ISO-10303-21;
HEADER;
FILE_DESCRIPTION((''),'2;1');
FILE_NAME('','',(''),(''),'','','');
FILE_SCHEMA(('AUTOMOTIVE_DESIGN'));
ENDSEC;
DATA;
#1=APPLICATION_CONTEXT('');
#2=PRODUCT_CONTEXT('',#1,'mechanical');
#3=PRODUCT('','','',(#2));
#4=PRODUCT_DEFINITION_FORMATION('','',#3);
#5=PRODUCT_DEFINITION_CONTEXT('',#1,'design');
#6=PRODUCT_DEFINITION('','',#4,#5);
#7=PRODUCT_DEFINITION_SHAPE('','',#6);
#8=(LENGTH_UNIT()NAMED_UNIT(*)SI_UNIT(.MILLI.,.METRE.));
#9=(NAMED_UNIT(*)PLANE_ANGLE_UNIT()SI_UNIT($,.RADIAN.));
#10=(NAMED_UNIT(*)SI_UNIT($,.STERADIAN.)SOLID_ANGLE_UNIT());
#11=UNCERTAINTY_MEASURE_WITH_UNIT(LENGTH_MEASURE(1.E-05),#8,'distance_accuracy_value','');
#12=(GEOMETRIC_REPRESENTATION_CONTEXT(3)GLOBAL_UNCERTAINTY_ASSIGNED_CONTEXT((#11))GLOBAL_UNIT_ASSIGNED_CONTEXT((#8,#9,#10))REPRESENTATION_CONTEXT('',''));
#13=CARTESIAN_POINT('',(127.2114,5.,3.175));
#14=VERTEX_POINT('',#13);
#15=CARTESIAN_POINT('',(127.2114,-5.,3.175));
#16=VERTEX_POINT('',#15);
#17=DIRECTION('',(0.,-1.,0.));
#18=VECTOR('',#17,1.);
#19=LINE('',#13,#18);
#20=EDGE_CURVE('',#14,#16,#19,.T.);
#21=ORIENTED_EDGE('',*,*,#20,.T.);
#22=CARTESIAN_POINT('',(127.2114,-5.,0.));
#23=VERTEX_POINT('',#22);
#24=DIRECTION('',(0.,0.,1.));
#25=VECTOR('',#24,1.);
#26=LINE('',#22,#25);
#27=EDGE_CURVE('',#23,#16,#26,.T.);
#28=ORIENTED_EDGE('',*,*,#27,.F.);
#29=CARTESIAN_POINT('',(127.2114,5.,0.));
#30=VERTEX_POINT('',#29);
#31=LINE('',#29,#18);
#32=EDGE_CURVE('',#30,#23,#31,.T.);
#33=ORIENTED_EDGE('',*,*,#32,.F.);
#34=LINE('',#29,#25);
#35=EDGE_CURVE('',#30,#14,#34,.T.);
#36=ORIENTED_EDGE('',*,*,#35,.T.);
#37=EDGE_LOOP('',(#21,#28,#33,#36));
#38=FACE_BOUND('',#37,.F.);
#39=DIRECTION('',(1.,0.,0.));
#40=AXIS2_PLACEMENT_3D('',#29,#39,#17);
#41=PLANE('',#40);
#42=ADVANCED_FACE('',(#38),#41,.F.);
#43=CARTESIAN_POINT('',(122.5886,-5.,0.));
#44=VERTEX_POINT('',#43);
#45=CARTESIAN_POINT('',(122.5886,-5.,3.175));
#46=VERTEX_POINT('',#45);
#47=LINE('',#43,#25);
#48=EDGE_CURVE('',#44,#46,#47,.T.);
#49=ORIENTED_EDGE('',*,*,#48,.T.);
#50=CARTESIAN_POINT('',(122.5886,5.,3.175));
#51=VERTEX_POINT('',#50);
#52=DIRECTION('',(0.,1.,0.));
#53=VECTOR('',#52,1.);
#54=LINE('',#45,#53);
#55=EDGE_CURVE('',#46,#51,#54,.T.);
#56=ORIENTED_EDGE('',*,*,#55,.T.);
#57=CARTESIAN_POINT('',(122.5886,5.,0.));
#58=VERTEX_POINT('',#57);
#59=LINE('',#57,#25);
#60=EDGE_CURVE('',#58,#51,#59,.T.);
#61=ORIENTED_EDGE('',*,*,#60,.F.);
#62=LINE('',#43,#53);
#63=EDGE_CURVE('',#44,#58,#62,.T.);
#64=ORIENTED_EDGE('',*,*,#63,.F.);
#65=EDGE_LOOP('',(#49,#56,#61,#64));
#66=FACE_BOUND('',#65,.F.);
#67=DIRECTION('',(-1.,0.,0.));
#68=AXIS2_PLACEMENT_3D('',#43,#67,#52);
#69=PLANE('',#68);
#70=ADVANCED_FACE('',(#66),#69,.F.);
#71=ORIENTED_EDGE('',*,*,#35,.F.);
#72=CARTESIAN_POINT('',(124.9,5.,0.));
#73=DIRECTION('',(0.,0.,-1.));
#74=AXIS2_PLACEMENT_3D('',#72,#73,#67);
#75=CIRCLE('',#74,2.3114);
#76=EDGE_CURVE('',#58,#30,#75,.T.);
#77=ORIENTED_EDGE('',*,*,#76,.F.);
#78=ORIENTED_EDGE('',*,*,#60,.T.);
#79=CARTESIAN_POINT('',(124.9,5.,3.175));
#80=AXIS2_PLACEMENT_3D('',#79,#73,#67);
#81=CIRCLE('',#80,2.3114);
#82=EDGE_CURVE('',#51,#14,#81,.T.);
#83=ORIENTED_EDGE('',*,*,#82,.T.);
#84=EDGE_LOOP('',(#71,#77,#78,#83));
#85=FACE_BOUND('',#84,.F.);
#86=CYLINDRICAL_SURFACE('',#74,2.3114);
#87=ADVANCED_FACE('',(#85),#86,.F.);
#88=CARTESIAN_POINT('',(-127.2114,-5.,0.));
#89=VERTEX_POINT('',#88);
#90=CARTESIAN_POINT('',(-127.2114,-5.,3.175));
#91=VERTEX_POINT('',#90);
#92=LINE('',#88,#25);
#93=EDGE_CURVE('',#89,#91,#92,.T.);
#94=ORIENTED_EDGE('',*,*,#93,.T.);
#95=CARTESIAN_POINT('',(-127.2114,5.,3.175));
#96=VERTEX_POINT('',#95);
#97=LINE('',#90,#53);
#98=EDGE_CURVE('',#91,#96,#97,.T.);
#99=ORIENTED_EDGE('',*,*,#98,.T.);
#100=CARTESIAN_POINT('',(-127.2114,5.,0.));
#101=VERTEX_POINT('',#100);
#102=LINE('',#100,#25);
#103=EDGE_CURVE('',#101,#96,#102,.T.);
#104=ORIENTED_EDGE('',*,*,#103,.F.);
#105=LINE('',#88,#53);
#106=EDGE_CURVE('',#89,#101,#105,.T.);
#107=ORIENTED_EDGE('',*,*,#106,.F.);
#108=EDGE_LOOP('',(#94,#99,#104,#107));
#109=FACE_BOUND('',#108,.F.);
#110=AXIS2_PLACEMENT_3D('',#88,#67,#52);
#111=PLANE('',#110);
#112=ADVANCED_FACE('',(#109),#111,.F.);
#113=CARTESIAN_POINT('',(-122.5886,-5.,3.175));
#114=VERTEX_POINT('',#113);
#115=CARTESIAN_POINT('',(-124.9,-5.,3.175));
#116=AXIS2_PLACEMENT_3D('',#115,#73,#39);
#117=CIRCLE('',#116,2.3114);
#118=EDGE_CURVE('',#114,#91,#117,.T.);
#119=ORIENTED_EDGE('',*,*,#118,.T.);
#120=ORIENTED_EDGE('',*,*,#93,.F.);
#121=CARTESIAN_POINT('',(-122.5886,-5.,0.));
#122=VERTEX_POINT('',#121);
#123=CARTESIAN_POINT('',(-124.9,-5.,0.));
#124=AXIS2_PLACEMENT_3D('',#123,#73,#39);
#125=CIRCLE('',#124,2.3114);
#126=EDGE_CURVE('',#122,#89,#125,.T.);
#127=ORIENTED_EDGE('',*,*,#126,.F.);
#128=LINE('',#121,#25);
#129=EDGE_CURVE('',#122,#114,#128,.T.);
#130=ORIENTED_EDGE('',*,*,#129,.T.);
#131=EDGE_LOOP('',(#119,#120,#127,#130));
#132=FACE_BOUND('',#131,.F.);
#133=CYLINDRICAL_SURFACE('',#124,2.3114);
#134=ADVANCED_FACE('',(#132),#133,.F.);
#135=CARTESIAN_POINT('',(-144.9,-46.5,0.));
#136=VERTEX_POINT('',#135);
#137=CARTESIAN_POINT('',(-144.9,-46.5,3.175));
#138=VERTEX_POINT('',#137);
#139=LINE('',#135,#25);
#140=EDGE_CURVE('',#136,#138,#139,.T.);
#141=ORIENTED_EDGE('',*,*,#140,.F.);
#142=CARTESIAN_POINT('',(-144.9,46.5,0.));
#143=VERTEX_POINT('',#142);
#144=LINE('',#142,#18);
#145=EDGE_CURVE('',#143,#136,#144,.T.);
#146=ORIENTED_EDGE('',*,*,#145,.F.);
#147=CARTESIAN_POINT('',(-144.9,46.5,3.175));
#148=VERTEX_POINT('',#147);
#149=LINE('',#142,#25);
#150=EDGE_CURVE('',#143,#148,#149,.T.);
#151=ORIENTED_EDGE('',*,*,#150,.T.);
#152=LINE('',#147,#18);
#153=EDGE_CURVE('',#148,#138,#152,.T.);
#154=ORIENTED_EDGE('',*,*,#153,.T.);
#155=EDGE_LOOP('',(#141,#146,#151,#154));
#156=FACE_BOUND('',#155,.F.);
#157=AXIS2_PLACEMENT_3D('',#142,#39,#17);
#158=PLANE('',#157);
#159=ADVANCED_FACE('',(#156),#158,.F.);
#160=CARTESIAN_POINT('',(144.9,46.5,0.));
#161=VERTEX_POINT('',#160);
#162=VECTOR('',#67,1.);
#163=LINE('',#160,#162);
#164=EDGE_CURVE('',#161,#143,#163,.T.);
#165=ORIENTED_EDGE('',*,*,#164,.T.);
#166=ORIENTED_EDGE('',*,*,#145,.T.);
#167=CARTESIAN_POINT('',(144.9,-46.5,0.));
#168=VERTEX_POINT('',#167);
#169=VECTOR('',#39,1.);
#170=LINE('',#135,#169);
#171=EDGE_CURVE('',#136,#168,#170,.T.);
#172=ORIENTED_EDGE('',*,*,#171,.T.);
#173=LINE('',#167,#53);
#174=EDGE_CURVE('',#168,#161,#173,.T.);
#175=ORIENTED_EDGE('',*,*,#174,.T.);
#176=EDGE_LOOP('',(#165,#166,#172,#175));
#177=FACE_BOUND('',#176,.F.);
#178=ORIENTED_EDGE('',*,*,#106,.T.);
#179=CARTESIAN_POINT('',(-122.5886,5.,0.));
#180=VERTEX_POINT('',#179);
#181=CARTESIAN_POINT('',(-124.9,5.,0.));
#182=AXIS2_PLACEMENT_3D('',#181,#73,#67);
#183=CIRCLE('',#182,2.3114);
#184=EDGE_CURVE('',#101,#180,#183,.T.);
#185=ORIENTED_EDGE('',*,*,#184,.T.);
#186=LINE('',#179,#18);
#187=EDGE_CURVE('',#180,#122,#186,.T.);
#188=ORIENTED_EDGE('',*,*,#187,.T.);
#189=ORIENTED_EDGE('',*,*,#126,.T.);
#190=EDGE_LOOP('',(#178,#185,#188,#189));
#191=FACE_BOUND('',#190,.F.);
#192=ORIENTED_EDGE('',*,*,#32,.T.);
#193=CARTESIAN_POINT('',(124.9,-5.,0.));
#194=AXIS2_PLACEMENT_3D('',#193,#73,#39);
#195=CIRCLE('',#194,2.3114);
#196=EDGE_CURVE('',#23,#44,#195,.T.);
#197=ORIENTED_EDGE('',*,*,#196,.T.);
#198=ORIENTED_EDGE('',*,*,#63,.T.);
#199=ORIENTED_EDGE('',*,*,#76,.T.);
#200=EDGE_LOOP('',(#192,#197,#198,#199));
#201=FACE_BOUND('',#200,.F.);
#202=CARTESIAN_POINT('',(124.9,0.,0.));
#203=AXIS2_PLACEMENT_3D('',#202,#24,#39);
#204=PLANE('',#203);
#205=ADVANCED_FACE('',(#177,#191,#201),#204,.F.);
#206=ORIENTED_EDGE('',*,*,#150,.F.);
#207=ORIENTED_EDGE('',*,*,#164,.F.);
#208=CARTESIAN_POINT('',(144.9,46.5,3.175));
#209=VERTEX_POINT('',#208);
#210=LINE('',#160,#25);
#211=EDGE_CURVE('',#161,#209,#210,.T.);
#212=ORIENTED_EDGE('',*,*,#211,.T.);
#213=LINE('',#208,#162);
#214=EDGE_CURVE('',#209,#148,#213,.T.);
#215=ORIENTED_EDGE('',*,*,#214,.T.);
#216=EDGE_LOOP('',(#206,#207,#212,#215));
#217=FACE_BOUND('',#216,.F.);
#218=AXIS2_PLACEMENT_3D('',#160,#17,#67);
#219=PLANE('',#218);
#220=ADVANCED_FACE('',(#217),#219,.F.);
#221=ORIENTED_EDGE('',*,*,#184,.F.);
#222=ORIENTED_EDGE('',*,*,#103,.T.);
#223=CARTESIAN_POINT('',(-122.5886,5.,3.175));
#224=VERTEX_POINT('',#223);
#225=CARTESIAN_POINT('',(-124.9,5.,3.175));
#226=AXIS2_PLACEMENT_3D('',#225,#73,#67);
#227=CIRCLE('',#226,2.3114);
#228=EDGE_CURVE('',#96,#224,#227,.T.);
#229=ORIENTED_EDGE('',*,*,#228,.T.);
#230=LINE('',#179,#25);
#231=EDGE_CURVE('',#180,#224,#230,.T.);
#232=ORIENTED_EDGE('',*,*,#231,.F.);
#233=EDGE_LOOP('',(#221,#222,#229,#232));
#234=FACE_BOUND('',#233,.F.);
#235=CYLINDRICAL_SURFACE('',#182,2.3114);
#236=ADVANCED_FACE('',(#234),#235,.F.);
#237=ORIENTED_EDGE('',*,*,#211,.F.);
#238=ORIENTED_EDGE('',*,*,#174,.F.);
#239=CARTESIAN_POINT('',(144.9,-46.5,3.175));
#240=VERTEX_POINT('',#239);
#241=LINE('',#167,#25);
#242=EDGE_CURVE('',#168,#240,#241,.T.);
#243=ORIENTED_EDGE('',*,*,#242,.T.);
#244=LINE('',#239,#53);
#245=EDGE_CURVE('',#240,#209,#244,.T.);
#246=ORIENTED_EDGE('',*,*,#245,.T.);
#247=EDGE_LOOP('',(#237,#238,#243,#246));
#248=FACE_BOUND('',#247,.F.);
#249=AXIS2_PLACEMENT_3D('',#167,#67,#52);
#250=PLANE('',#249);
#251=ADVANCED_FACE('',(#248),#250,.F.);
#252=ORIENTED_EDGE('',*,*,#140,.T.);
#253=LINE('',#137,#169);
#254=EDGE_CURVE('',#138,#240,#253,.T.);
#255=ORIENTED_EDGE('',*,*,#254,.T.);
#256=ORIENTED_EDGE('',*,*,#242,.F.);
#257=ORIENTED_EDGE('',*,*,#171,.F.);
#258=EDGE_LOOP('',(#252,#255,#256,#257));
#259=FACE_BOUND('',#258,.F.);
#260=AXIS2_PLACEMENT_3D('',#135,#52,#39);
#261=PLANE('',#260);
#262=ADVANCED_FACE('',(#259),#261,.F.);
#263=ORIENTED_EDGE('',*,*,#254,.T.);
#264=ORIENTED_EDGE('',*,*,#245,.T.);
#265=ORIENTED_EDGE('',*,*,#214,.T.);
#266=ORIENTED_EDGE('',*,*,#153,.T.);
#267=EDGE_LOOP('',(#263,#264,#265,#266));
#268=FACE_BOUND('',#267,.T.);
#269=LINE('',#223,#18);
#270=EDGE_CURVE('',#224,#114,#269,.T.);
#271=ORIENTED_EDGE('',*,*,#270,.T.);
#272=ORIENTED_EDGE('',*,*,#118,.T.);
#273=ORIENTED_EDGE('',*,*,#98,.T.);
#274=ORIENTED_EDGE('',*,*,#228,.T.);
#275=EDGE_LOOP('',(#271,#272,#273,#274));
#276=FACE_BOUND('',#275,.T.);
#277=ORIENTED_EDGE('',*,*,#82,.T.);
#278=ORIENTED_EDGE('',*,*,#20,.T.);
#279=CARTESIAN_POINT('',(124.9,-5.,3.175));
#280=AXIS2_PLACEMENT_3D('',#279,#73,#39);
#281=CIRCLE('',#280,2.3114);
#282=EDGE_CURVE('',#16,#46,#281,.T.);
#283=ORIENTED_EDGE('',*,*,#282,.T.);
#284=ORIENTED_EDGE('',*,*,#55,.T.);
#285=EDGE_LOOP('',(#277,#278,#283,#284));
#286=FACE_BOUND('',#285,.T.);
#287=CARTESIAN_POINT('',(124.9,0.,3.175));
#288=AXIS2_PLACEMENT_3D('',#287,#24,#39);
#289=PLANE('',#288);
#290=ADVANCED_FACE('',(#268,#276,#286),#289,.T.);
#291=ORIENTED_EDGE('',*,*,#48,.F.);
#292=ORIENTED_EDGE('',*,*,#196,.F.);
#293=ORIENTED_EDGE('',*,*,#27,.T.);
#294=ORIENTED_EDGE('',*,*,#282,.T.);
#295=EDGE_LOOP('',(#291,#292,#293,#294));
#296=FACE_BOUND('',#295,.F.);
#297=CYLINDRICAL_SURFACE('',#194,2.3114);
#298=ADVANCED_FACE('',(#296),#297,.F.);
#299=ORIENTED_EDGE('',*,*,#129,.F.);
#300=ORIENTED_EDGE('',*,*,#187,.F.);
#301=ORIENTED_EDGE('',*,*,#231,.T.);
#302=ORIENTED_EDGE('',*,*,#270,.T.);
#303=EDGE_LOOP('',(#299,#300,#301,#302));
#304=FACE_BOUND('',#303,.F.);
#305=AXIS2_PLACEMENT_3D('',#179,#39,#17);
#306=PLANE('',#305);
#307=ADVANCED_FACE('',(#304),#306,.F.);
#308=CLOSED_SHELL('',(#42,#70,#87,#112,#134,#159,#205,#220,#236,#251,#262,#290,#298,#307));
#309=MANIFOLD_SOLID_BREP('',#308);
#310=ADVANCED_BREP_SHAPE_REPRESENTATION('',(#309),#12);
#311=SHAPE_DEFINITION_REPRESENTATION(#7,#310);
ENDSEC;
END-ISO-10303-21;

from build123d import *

# Parameters (mm, degrees)
F1_DEPTH = 3.175


with BuildPart() as f1:
    # F0 (on Top) → F1 (new body)
    with BuildSketch(Plane.XY):
        with BuildLine():
            Line((127.2114, -5), (127.2114, 0))
            Line((127.2114, 0), (127.2114, 5))
            ThreePointArc((127.2114, 5), (124.9, 2.6886), (122.5886, 5))
            Line((122.5886, 5), (122.5886, -5))
            ThreePointArc((122.5886, -5), (124.9, -2.6886), (127.2114, -5))
        make_face()
        with BuildLine():
            Line((-127.2114, 5), (-127.2114, 0))
            Line((-127.2114, 0), (-127.2114, -5))
            ThreePointArc((-127.2114, -5), (-124.9, -2.6886), (-122.5886, -5))
            Line((-122.5886, -5), (-122.5886, 5))
            ThreePointArc((-122.5886, 5), (-124.9, 2.6886), (-127.2114, 5))
        make_face()
        Polygon((-144.9, -46.5), (144.9, -46.5), (144.9, 0), (144.9, 46.5), (-144.9, 46.5), (-144.9, 0), align=None)
        with BuildLine():
            Line((-127.2114, -5), (-127.2114, 0))
            Line((-127.2114, 0), (-127.2114, 5))
            ThreePointArc((-127.2114, 5), (-124.9, 7.3114), (-122.5886, 5))
            Line((-122.5886, 5), (-122.5886, -5))
            ThreePointArc((-122.5886, -5), (-124.9, -7.3114), (-127.2114, -5))
        make_face(mode=Mode.SUBTRACT)
        with BuildLine():
            Line((127.2114, 5), (127.2114, 0))
            Line((127.2114, 0), (127.2114, -5))
            ThreePointArc((127.2114, -5), (124.9, -7.3114), (122.5886, -5))
            Line((122.5886, -5), (122.5886, 5))
            ThreePointArc((122.5886, 5), (124.9, 7.3114), (127.2114, 5))
        make_face(mode=Mode.SUBTRACT)
    extrude(amount=F1_DEPTH)


solid = f1.part
